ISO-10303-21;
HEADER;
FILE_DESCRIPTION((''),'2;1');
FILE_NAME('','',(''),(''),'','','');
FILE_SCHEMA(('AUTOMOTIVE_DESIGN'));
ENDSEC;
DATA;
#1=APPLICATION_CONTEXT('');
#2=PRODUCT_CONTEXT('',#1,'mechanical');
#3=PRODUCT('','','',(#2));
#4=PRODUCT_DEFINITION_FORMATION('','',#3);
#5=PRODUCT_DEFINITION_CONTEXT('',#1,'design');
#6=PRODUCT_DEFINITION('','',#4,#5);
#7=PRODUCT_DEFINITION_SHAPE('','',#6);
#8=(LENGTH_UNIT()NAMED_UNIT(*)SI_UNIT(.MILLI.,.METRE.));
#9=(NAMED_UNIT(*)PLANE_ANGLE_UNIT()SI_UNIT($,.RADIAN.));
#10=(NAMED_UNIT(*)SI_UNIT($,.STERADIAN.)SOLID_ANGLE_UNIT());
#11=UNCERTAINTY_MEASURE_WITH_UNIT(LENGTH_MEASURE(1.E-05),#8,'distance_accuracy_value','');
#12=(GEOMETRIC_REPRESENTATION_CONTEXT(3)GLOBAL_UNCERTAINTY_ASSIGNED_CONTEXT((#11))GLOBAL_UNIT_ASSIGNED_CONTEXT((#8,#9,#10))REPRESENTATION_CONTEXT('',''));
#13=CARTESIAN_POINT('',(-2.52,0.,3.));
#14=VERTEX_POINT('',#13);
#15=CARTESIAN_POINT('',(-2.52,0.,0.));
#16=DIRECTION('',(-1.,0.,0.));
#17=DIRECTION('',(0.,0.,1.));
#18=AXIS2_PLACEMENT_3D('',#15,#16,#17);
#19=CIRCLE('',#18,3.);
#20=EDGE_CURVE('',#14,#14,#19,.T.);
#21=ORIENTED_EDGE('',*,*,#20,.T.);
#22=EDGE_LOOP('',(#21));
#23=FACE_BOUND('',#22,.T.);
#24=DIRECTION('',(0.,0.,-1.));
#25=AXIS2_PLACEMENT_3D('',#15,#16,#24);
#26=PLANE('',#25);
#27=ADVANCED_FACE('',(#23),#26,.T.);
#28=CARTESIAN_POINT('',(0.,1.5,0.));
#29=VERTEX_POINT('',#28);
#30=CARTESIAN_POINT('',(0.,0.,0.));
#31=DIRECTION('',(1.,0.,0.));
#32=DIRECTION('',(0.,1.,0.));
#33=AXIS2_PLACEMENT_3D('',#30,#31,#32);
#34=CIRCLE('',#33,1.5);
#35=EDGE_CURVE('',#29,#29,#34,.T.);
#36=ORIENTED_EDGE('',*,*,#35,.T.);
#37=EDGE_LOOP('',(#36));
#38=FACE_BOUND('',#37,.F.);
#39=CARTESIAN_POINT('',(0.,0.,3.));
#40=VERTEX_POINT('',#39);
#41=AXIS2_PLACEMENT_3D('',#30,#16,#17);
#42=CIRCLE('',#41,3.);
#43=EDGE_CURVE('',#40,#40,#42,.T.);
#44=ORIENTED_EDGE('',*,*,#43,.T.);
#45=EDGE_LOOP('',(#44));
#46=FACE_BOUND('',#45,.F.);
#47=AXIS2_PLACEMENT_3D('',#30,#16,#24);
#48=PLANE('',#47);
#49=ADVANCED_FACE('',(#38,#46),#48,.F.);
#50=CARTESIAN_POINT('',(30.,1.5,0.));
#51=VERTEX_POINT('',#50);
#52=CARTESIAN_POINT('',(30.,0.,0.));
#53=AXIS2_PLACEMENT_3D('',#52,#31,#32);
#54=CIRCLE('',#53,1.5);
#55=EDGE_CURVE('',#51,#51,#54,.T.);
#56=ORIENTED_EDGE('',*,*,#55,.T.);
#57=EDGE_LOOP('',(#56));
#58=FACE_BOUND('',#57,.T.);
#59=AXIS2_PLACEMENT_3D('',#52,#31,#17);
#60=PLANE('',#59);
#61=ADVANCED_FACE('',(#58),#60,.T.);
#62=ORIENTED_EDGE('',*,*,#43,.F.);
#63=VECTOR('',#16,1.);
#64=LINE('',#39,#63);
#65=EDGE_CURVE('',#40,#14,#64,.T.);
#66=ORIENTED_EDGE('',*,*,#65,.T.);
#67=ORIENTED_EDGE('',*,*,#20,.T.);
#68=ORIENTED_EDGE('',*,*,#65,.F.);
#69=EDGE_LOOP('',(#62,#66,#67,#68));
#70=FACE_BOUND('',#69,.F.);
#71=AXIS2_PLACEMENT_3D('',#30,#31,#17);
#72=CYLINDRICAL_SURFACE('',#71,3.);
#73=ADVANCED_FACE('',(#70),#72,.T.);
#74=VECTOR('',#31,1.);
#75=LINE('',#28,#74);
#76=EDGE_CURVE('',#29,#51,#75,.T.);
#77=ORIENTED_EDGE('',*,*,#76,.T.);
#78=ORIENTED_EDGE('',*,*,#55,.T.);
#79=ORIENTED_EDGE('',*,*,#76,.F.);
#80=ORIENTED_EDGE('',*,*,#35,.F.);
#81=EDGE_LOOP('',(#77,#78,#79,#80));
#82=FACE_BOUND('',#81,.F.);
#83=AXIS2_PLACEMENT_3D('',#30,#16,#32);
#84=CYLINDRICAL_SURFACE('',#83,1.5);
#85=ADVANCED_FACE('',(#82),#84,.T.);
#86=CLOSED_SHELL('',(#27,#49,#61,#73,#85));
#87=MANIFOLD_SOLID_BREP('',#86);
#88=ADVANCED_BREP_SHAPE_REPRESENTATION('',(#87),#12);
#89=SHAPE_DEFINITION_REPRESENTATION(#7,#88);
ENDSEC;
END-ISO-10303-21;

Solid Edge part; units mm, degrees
sketch "Sketch1" plane through (0, 0, 0) normal (1, 0, 0) x (0, 1, 0)
  circle A0 centre (0, 0) radius 1.5
  dimension "D1" = 3
extrude "Ajout_matière_1" add sketch "Sketch1" along normal blind 30
sketch "Sketch2" plane through (0, 0, 0) normal (-1, 0, 0) x (0, 0, 1)
  circle A0 centre (0, 0) radius 3
  dimension "D1" = 6
extrude "Ajout_matière_2" add sketch "Sketch2" along normal blind 2.52
properties material "Acier S235"
